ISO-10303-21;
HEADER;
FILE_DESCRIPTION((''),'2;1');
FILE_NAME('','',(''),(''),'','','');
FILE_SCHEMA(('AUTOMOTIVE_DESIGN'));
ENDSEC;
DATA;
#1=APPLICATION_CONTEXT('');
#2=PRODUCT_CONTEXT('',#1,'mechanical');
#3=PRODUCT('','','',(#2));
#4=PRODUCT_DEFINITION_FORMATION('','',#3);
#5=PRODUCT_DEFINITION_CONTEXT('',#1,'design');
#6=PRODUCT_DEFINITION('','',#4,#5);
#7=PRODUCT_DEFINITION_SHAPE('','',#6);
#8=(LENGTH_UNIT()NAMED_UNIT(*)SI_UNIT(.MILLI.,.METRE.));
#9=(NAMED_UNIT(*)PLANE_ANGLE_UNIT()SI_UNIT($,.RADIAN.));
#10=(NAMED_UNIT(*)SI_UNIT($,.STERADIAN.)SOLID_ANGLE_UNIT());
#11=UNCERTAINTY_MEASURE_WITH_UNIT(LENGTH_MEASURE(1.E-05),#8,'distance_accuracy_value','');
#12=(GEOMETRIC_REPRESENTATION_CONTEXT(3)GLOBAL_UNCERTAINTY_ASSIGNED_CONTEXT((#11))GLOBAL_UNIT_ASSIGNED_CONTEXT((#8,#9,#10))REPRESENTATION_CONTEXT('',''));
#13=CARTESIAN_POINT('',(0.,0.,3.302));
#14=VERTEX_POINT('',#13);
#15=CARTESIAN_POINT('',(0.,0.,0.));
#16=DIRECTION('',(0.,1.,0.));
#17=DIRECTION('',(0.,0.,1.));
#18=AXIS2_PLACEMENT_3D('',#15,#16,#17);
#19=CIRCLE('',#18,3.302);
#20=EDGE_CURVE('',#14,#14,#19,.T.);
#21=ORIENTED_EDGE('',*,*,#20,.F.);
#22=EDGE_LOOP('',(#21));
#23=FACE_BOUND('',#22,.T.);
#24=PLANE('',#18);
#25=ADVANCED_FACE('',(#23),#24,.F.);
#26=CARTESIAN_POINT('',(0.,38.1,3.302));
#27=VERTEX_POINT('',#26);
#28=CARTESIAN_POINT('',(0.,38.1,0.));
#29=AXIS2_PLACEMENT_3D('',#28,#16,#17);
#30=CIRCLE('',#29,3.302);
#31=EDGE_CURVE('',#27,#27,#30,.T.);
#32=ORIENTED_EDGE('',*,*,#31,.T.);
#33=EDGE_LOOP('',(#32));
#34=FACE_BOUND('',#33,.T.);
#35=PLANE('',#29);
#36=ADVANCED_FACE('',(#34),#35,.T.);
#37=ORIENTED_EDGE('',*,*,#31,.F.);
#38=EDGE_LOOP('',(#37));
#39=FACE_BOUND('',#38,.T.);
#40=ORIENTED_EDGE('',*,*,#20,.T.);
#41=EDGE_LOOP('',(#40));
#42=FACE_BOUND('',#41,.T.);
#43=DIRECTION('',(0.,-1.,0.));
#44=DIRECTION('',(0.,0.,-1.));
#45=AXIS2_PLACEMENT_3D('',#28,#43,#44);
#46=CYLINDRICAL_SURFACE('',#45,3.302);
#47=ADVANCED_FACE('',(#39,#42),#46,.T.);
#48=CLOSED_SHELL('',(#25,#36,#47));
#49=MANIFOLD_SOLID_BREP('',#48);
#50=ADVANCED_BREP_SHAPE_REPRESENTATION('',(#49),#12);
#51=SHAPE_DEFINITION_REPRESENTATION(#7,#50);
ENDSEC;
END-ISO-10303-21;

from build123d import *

# Parameters (mm, degrees)
SKETCH1_R      = 3.302
EXTRUDE1_DEPTH = 38.1


with BuildPart() as part:
    # Sketch1 → Extrude1 (new body)
    with BuildSketch(Plane(origin=(0, 0, 0), x_dir=(1, 0, 0), z_dir=(0, 1, 0))):
        Circle(SKETCH1_R)
    extrude(amount=EXTRUDE1_DEPTH)


solid = part.part
